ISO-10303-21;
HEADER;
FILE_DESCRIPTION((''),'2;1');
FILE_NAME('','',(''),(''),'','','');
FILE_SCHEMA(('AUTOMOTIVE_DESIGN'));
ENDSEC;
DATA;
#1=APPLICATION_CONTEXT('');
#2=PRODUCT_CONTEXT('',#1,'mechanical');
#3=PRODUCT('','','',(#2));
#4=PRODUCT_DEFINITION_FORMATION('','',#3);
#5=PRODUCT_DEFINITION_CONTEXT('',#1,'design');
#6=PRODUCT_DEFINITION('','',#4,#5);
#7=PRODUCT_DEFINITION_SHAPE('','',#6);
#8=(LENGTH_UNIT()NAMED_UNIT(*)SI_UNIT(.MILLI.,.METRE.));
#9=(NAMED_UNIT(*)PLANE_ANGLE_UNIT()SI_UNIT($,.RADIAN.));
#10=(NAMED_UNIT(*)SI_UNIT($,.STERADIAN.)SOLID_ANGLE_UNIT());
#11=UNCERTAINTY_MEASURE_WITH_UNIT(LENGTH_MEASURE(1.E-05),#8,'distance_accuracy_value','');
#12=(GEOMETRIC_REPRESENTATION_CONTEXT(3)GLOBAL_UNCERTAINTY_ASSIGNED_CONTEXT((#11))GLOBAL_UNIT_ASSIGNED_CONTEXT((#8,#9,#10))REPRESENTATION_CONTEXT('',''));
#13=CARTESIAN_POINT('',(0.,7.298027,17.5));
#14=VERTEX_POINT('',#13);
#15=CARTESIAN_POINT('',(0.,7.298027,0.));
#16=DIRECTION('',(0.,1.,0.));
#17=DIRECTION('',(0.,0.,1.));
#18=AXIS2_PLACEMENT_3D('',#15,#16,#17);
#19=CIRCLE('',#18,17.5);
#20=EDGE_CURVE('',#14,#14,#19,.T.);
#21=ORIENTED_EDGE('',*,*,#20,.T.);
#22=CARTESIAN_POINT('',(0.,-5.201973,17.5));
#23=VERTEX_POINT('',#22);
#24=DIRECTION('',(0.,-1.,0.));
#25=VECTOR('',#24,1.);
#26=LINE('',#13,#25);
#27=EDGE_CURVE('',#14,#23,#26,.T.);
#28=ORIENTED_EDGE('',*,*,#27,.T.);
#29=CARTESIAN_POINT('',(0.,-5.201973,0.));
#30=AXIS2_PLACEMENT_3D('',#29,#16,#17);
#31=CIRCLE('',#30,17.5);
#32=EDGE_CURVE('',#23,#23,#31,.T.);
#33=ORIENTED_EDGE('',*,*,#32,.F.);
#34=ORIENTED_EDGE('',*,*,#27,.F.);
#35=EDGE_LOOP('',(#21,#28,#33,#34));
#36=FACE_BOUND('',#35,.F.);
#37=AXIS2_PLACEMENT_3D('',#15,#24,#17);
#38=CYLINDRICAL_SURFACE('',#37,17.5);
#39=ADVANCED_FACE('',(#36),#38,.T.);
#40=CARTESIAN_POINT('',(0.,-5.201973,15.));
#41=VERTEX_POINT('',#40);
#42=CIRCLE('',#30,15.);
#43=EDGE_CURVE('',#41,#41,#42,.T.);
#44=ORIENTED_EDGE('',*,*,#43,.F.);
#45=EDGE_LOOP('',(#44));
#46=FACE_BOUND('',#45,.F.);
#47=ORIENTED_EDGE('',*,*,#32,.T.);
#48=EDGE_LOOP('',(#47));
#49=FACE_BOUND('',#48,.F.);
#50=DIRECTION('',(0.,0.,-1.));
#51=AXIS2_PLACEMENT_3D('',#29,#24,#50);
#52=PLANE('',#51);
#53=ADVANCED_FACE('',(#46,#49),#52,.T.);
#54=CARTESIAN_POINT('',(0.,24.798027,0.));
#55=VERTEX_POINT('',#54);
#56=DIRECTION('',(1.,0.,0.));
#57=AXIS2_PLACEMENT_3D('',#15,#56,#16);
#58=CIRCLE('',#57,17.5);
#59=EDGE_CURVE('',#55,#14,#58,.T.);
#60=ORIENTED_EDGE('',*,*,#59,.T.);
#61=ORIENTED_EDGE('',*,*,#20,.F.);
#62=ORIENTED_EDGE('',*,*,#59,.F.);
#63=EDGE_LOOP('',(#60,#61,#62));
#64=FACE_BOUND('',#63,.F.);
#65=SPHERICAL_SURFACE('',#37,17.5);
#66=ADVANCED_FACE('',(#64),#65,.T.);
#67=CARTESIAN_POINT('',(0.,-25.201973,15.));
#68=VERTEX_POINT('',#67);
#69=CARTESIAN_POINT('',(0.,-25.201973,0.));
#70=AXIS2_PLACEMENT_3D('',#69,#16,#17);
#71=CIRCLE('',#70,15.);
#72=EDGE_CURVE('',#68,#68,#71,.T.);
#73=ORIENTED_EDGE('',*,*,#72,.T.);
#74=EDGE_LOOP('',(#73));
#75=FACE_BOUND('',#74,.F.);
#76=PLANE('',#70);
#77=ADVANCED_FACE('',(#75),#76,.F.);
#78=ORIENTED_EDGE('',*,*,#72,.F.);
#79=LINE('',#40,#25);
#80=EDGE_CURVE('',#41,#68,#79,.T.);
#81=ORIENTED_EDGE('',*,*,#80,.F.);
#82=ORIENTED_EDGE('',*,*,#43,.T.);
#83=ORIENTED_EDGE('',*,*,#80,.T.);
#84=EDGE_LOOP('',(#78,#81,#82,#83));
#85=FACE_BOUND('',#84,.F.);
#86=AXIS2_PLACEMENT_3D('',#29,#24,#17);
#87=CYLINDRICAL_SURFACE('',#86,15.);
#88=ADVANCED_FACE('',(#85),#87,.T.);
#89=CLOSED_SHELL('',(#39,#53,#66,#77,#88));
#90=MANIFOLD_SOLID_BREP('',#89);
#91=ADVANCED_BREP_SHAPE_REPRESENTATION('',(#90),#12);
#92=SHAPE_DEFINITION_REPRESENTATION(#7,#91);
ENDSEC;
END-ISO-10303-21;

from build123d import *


with BuildPart() as f1:
    # F0 (on Right) → F1 (revolve)
    with BuildSketch(Plane.YZ):
        with BuildLine():
            Line((-25.2019731107, 0), (-10.2019731107, 0))
            ThreePointArc((-10.2019731107, 0), (-8.9038248567, 6.6143782777), (-5.2019731107, 12.2474487139))
            Line((-5.2019731107, 12.2474487139), (-5.2019731107, 15))
            Line((-5.2019731107, 15), (-25.2019731107, 15))
            Line((-25.2019731107, 15), (-25.2019731107, 0))
        make_face()
        with BuildLine():
            Line((-5.2019731107, 15), (-5.2019731107, 12.2474487139))
            ThreePointArc((-5.2019731107, 12.2474487139), (0.5186593854, 16.1335109709), (7.2980268893, 17.5))
            Line((7.2980268893, 17.5), (-5.2019731107, 17.5))
            Line((-5.2019731107, 17.5), (-5.2019731107, 15))
        make_face()
        with BuildLine():
            Line((-5.2019731107, 12.2474487139), (-5.2019731107, 0))
            Line((-5.2019731107, 0), (7.2980268893, 0))
            Line((7.2980268893, 0), (7.2980268893, 17.5))
            ThreePointArc((7.2980268893, 17.5), (0.5186593854, 16.1335109709), (-5.2019731107, 12.2474487139))
        make_face()
        with BuildLine():
            Line((7.2980268893, 17.5), (7.2980268893, 0))
            Line((7.2980268893, 0), (24.7980268893, 0))
            ThreePointArc((24.7980268893, 0), (19.67239556, 12.3743686708), (7.2980268893, 17.5))
        make_face()
        with BuildLine():
            Line((-10.2019731107, 0), (-5.2019731107, 0))
            Line((-5.2019731107, 0), (-5.2019731107, 12.2474487139))
            ThreePointArc((-5.2019731107, 12.2474487139), (-8.9038248567, 6.6143782777), (-10.2019731107, 0))
        make_face()
    revolve(axis=Axis((0, 1.0480268893, 0), (0, 1, 0)))


solid = f1.part
